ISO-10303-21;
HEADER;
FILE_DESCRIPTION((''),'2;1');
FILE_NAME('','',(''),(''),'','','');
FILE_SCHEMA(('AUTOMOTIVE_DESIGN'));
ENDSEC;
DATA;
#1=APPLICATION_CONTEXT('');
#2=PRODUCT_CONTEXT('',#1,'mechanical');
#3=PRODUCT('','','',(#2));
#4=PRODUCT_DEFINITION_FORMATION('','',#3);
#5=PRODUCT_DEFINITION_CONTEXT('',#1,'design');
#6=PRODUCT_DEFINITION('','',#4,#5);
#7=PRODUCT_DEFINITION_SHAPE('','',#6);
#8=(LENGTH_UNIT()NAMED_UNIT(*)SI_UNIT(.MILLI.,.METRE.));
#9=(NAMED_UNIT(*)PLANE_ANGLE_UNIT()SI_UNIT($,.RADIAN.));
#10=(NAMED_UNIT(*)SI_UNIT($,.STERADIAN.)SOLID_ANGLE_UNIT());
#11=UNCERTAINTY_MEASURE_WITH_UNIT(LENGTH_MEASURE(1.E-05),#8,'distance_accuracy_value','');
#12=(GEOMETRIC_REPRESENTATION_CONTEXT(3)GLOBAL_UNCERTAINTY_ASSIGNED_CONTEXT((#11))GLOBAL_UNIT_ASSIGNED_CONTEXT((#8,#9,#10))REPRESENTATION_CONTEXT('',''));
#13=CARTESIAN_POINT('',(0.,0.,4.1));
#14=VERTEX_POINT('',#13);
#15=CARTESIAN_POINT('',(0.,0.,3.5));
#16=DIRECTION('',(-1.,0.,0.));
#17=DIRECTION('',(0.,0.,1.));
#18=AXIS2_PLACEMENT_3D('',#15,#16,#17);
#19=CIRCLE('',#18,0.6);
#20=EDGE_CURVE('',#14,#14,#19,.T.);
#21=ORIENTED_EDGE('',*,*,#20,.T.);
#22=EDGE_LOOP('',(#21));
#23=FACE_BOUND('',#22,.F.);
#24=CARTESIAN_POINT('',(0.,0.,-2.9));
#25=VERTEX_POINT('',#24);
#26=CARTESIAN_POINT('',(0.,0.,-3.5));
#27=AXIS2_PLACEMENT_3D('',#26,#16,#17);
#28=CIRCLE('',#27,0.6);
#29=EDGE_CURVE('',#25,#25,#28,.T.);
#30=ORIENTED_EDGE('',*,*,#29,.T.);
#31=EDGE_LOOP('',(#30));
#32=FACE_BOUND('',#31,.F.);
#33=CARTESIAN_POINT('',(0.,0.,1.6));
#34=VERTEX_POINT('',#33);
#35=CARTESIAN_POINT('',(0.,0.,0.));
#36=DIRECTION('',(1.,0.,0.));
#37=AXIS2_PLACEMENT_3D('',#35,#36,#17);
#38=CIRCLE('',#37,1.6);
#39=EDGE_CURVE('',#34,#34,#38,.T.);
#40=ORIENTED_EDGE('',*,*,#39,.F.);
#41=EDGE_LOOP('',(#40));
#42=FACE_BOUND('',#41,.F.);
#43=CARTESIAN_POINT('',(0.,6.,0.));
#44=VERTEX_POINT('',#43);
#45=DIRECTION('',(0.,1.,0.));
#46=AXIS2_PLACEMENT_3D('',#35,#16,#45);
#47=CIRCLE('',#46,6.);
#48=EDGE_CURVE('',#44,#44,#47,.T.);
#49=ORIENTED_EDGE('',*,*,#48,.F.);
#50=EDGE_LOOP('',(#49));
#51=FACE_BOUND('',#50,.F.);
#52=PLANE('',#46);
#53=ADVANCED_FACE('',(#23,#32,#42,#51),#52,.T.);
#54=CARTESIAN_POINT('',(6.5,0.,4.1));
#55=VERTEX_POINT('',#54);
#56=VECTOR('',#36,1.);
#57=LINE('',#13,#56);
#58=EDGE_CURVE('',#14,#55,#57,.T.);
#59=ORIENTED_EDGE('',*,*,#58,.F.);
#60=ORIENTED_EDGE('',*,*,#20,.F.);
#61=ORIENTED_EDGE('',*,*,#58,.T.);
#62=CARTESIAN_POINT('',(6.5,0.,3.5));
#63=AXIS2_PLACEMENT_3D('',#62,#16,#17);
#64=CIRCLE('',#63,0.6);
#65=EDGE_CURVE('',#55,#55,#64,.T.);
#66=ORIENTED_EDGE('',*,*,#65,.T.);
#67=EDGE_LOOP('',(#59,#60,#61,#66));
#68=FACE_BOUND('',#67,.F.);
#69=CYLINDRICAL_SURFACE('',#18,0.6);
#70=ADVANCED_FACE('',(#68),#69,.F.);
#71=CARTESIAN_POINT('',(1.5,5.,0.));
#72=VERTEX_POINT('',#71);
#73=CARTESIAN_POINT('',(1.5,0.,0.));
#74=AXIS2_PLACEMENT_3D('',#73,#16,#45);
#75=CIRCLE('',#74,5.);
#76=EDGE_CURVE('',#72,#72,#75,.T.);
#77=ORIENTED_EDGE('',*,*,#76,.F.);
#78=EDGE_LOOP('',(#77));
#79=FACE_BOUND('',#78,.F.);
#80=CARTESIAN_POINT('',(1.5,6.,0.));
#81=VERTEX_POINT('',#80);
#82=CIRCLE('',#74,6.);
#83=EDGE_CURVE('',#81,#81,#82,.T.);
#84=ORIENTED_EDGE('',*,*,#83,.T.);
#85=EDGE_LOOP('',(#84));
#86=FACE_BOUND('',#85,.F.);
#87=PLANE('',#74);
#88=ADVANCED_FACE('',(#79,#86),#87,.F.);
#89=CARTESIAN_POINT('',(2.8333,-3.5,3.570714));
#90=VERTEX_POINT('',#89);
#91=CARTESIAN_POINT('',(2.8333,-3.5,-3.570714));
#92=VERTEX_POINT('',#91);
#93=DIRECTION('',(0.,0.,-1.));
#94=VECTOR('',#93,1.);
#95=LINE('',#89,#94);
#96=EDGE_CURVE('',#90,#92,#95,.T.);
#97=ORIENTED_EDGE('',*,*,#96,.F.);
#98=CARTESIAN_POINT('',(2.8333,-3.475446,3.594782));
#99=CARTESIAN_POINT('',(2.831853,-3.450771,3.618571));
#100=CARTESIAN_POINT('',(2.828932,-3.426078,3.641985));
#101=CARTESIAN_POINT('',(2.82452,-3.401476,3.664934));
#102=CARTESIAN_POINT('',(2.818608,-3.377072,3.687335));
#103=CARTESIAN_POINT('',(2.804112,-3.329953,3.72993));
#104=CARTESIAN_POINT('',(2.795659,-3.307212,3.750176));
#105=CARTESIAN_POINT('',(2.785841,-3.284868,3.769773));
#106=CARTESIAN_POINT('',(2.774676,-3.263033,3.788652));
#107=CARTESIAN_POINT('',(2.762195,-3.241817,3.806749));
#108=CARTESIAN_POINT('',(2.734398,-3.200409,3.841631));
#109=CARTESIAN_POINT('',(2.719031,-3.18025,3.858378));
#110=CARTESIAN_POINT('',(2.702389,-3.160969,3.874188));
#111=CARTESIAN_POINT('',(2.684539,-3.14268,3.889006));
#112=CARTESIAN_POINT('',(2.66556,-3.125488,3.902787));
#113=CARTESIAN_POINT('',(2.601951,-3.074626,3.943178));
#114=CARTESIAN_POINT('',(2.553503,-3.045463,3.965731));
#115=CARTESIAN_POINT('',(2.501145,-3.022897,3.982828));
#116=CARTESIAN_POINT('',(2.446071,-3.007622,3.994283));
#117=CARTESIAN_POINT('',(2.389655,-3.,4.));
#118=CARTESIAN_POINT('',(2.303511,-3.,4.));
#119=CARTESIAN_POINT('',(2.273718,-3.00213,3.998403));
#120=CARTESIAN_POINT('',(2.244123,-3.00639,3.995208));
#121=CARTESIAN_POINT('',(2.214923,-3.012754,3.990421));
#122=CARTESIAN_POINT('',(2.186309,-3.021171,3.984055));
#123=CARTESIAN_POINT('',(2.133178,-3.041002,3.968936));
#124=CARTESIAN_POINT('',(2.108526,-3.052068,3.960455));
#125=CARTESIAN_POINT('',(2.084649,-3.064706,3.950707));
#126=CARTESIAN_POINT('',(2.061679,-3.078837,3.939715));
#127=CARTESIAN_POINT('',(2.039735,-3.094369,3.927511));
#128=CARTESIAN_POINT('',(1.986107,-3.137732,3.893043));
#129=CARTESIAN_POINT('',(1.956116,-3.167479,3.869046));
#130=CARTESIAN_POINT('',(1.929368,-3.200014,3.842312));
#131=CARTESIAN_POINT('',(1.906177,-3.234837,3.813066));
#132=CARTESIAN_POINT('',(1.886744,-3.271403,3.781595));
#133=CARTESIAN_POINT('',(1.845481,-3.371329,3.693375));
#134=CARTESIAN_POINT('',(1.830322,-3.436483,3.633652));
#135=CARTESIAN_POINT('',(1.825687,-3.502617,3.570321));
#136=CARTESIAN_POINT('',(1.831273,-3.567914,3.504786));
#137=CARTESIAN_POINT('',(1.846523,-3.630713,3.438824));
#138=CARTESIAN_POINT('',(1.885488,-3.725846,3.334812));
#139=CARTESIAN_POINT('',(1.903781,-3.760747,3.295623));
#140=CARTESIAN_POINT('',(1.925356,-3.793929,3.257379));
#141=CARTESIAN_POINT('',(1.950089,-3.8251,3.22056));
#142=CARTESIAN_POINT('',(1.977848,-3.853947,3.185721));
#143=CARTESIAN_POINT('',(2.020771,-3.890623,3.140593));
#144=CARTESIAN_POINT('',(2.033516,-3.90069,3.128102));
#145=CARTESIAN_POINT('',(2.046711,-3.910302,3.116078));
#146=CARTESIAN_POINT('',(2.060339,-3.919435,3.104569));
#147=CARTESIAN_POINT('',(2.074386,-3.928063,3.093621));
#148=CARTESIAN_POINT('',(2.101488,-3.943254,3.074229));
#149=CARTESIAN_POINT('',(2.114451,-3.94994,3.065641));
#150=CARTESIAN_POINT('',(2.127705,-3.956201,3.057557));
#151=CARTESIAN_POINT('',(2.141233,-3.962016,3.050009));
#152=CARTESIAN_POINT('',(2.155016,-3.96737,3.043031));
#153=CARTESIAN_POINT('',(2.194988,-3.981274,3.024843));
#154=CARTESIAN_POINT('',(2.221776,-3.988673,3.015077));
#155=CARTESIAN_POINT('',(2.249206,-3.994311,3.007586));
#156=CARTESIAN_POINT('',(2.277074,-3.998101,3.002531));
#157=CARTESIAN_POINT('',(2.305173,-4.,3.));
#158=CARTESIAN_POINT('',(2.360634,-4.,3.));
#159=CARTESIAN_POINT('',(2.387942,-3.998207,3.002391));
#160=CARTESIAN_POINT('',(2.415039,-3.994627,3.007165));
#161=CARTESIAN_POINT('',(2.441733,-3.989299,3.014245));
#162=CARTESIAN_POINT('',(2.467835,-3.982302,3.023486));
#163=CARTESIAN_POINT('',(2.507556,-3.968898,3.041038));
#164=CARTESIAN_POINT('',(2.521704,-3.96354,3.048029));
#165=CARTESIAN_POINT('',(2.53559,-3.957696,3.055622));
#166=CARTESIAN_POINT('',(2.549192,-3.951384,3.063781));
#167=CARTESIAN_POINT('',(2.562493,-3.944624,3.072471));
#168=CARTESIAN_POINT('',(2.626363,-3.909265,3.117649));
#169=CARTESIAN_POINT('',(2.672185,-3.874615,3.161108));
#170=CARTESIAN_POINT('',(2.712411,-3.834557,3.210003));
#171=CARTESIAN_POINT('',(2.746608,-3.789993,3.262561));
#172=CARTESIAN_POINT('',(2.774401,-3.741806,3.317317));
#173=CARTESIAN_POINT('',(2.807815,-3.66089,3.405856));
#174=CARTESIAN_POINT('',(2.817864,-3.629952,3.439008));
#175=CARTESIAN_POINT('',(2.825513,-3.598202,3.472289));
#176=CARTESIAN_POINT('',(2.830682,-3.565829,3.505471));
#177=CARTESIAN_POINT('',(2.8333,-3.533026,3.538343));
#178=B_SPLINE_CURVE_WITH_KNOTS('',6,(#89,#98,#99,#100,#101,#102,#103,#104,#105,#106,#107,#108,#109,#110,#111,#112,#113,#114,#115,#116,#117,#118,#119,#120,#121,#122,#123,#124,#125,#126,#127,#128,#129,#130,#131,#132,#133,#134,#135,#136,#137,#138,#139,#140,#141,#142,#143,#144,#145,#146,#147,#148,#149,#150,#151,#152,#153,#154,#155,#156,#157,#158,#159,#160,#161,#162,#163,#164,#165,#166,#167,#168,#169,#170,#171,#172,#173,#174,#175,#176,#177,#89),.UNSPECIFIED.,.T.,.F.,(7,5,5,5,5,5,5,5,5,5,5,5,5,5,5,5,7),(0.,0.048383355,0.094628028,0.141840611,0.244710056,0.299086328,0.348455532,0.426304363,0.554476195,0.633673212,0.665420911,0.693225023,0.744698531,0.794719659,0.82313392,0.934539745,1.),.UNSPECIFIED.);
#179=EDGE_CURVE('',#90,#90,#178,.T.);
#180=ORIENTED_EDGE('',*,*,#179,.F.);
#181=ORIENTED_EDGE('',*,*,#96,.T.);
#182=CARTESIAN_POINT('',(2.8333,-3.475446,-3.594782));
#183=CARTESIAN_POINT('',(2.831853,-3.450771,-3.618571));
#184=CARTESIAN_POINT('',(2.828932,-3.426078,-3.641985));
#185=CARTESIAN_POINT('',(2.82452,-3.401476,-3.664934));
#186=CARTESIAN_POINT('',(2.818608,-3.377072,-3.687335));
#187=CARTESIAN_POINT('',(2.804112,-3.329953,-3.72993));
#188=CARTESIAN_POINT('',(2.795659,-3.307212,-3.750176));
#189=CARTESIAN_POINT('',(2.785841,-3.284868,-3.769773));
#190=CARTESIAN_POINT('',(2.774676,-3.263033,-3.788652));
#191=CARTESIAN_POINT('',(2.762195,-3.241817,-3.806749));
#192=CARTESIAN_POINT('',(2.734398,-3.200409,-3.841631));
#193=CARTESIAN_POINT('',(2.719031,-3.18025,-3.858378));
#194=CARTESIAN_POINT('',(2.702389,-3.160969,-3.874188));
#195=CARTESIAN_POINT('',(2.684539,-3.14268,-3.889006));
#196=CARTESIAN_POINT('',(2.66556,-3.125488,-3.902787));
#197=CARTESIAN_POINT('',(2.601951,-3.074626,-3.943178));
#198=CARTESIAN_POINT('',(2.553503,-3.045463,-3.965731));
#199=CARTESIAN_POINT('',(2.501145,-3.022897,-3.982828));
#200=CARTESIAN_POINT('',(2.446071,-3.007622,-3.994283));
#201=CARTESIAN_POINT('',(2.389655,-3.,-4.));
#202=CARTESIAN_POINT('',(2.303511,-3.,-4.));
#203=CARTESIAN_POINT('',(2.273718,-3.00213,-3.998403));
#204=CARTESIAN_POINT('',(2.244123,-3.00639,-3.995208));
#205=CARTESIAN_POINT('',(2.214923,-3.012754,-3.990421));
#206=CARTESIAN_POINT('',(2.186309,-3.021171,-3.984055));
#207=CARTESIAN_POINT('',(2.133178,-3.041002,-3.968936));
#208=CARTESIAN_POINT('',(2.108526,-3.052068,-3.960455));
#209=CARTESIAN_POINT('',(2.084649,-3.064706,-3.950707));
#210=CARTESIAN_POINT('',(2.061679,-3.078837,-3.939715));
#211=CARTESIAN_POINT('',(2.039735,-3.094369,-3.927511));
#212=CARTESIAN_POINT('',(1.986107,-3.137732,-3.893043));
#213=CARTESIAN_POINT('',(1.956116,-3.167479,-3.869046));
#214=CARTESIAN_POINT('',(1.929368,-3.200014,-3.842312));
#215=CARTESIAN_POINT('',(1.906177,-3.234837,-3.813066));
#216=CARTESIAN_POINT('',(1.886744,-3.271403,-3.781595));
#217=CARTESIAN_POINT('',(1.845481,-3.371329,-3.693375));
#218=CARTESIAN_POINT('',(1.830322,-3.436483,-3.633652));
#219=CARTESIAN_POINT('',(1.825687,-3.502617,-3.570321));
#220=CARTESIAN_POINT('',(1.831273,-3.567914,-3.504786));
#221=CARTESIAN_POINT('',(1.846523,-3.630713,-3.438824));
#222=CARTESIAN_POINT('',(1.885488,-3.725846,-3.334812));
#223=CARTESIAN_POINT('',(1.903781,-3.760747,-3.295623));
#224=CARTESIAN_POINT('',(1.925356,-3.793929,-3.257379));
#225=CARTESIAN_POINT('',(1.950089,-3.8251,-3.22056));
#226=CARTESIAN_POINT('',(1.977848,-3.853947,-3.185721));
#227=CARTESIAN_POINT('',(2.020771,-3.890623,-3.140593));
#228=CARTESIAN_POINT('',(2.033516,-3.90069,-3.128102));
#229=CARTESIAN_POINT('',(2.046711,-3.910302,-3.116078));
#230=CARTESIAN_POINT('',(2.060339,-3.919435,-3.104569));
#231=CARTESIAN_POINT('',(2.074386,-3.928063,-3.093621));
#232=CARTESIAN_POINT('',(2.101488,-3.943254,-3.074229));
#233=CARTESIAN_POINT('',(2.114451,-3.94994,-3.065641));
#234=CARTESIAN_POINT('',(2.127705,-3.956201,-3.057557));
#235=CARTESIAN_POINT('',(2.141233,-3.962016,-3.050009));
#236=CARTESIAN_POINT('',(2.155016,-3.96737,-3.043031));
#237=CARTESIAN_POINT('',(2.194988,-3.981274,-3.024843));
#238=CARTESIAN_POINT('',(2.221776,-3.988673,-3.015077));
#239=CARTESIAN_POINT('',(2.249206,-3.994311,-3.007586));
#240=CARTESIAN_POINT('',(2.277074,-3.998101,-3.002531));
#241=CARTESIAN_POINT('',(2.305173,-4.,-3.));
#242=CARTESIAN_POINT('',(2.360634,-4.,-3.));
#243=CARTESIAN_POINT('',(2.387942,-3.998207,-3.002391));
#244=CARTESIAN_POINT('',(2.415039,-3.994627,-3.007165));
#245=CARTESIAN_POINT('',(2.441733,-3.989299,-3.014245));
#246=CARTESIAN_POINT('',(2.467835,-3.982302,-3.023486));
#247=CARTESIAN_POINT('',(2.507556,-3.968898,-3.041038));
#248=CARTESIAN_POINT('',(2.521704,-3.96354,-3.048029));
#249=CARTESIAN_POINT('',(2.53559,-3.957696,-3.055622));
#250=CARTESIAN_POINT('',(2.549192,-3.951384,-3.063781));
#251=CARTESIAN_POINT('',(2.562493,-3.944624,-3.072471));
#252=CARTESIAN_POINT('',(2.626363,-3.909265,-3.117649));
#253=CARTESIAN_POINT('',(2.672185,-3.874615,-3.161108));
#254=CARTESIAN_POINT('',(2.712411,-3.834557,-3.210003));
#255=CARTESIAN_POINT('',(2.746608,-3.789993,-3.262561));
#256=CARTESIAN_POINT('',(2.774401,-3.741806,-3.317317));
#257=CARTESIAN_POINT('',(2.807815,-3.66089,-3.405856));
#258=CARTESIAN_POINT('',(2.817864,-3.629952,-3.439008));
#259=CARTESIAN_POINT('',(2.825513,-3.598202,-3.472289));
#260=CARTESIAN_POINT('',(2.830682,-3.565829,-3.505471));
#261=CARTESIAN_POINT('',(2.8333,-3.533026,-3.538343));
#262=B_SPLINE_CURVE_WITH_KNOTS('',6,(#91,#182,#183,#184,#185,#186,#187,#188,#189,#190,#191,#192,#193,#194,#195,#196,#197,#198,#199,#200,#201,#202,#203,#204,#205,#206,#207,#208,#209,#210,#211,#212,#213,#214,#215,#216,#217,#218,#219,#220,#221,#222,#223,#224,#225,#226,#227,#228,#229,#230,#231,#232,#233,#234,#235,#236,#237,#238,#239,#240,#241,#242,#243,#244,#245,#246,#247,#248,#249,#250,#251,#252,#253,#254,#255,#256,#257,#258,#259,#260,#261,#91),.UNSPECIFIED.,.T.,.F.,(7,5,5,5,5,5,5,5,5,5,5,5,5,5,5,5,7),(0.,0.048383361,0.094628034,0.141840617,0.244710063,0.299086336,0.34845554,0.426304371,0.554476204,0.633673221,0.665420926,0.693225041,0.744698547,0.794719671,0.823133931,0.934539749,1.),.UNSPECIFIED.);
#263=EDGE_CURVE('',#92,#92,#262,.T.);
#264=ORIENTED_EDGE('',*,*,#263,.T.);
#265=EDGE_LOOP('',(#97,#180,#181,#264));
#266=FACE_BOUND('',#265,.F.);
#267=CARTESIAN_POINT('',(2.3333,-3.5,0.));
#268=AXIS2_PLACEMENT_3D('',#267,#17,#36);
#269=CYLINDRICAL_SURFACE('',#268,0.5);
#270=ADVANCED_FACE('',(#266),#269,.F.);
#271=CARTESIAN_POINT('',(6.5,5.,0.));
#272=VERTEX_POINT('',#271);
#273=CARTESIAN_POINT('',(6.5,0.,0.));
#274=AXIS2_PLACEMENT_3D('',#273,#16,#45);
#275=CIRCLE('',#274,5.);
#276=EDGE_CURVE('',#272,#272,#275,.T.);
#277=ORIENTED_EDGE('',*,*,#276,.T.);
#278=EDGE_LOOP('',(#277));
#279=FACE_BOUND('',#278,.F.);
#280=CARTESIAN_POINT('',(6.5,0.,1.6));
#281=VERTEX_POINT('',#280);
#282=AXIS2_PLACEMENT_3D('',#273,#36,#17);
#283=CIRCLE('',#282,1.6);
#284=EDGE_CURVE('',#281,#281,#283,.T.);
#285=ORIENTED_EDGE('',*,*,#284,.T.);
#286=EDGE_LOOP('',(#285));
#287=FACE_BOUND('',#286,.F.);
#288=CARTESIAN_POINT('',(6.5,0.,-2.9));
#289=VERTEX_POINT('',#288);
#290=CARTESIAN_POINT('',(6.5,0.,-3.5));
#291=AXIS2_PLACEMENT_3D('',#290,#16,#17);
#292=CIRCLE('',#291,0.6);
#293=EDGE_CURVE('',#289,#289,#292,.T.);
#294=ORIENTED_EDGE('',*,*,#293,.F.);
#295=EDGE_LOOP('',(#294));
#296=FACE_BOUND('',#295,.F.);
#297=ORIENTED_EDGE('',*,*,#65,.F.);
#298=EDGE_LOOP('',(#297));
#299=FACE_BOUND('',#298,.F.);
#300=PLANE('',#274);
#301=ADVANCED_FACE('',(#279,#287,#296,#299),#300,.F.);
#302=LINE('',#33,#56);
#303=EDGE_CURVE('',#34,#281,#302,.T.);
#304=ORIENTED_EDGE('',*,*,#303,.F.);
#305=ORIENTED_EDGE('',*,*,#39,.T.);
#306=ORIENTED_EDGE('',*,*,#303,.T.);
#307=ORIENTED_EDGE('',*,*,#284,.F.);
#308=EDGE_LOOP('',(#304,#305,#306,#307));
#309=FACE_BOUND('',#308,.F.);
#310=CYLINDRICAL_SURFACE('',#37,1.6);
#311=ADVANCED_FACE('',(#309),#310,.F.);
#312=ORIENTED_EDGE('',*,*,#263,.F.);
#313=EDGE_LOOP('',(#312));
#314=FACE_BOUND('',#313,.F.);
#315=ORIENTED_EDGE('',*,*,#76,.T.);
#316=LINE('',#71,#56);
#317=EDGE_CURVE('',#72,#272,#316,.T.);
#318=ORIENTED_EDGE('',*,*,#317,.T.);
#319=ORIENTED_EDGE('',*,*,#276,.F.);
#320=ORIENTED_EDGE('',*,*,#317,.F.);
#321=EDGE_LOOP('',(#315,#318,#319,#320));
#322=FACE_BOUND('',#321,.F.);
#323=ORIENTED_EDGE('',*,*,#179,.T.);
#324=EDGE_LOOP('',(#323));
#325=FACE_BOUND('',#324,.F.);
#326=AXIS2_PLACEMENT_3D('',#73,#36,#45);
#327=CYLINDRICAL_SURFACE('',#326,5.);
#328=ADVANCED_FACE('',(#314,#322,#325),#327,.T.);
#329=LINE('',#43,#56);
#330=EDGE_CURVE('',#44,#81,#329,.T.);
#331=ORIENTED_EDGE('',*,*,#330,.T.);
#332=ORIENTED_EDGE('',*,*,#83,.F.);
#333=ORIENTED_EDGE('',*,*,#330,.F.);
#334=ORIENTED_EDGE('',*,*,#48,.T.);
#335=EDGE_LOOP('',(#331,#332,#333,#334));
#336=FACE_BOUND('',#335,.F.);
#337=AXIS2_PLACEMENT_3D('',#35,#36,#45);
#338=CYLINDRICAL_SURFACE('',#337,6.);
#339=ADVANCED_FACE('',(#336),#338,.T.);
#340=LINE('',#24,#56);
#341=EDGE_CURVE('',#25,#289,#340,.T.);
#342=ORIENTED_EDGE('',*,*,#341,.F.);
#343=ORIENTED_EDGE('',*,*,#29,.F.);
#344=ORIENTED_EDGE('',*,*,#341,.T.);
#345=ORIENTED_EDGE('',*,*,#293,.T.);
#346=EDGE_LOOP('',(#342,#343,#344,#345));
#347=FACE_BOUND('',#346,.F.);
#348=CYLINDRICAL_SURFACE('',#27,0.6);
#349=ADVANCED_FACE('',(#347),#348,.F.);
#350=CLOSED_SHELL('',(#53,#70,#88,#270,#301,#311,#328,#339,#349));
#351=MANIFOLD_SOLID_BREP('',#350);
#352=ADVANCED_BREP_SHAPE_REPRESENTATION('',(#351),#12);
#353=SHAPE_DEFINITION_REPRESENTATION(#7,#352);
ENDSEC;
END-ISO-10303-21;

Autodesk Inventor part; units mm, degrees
ref_plane "YZ Plane" through (0, 0, 0) normal (1, 0, 0) x (0, 1, 0)
ref_plane "XZ Plane" through (0, 0, 0) normal (0, 1, 0) x (-1, 0, 0)
ref_plane "XY Plane" through (0, 0, 0) normal (0, 0, 1) x (1, 0, 0)
sketch "Sketch1" plane through (0, 0, 0) normal (0, 0, 1) x (1, 0, 0)
  line L0 (0, 0) -> (0, 6)
  line L1 (0, 6) -> (1.5, 6)
  line L2 (1.5, 6) -> (1.5, 5)
  line L3 (1.5, 5) -> (6.5, 5)
  line L4 (6.5, 5) -> (6.5, 0)
  line L5 (6.5, 0) -> (0, 0)
  dimension "d0" = 10
  dimension "d1" = 12
  dimension "d2" = 1.5
  dimension "d17" = 5
revolve "Revolution1" add sketch "Sketch1" angle 360 about axis through (6.5, 0, 0) along (-1, 0, 0)
sketch "Sketch2" plane through (0, 0, 0) normal (-1, 0, 0) x (0, 0, 1)
  circle A0 centre (0, 0) radius 6 projected
  circle A1 centre (-3.5, 0) radius 0.6
  circle A2 centre (3.5, 0) radius 0.6
  line L0 (-3.5, 0) -> (3.5, 0) construction
  circle A3 centre (0, 0) radius 3.5 construction
  circle A4 centre (0, 0) radius 5 construction
  point P0 (0, 0)
  dimension "d6" = 7
  dimension "d5" = 1.2
  dimension "d7" = 10
extrude "Extrusion1" cut sketch "Sketch2" against normal through all contours A1 | A2
hole "Hole1" at (0, 0, 0) direction (1, 0, 0) diameter 3.2 depth 25 clearance for "Zylinderschraube mit Schlitz DIN 84" size "M3" standard "DIN"
sketch "Sketch3" plane through (0, 0, 0) normal (0, 0, 1) x (1, 0, 0)
  circle A0 centre (2.3333, -3.5) radius 0.5
  line L0 (1.5, -5) -> (6.5, -5) construction
  line L1 (1.5, 5) -> (6.5, 5) construction
  line L2 (-1.3, 0) -> (7.8, 0) construction
  line L3 (1.5, -5) -> (6.5, -5) construction
  line L4 (4, -5) -> (4, 5) construction
  line L5 (1.5, 5) -> (6.5, 5) construction
  point P0 (0, 0)
  dimension "d18" = 1
  dimension "d19" = 3.5
  dimension "d22" = 2.5
  dimension "d23" = 1.6667
extrude "Extrusion2" cut sketch "Sketch3" along normal through all both and the other way through all
equation "\"d23\" = 0.666667 * d22"
properties part number "Capston_Tensioning"
